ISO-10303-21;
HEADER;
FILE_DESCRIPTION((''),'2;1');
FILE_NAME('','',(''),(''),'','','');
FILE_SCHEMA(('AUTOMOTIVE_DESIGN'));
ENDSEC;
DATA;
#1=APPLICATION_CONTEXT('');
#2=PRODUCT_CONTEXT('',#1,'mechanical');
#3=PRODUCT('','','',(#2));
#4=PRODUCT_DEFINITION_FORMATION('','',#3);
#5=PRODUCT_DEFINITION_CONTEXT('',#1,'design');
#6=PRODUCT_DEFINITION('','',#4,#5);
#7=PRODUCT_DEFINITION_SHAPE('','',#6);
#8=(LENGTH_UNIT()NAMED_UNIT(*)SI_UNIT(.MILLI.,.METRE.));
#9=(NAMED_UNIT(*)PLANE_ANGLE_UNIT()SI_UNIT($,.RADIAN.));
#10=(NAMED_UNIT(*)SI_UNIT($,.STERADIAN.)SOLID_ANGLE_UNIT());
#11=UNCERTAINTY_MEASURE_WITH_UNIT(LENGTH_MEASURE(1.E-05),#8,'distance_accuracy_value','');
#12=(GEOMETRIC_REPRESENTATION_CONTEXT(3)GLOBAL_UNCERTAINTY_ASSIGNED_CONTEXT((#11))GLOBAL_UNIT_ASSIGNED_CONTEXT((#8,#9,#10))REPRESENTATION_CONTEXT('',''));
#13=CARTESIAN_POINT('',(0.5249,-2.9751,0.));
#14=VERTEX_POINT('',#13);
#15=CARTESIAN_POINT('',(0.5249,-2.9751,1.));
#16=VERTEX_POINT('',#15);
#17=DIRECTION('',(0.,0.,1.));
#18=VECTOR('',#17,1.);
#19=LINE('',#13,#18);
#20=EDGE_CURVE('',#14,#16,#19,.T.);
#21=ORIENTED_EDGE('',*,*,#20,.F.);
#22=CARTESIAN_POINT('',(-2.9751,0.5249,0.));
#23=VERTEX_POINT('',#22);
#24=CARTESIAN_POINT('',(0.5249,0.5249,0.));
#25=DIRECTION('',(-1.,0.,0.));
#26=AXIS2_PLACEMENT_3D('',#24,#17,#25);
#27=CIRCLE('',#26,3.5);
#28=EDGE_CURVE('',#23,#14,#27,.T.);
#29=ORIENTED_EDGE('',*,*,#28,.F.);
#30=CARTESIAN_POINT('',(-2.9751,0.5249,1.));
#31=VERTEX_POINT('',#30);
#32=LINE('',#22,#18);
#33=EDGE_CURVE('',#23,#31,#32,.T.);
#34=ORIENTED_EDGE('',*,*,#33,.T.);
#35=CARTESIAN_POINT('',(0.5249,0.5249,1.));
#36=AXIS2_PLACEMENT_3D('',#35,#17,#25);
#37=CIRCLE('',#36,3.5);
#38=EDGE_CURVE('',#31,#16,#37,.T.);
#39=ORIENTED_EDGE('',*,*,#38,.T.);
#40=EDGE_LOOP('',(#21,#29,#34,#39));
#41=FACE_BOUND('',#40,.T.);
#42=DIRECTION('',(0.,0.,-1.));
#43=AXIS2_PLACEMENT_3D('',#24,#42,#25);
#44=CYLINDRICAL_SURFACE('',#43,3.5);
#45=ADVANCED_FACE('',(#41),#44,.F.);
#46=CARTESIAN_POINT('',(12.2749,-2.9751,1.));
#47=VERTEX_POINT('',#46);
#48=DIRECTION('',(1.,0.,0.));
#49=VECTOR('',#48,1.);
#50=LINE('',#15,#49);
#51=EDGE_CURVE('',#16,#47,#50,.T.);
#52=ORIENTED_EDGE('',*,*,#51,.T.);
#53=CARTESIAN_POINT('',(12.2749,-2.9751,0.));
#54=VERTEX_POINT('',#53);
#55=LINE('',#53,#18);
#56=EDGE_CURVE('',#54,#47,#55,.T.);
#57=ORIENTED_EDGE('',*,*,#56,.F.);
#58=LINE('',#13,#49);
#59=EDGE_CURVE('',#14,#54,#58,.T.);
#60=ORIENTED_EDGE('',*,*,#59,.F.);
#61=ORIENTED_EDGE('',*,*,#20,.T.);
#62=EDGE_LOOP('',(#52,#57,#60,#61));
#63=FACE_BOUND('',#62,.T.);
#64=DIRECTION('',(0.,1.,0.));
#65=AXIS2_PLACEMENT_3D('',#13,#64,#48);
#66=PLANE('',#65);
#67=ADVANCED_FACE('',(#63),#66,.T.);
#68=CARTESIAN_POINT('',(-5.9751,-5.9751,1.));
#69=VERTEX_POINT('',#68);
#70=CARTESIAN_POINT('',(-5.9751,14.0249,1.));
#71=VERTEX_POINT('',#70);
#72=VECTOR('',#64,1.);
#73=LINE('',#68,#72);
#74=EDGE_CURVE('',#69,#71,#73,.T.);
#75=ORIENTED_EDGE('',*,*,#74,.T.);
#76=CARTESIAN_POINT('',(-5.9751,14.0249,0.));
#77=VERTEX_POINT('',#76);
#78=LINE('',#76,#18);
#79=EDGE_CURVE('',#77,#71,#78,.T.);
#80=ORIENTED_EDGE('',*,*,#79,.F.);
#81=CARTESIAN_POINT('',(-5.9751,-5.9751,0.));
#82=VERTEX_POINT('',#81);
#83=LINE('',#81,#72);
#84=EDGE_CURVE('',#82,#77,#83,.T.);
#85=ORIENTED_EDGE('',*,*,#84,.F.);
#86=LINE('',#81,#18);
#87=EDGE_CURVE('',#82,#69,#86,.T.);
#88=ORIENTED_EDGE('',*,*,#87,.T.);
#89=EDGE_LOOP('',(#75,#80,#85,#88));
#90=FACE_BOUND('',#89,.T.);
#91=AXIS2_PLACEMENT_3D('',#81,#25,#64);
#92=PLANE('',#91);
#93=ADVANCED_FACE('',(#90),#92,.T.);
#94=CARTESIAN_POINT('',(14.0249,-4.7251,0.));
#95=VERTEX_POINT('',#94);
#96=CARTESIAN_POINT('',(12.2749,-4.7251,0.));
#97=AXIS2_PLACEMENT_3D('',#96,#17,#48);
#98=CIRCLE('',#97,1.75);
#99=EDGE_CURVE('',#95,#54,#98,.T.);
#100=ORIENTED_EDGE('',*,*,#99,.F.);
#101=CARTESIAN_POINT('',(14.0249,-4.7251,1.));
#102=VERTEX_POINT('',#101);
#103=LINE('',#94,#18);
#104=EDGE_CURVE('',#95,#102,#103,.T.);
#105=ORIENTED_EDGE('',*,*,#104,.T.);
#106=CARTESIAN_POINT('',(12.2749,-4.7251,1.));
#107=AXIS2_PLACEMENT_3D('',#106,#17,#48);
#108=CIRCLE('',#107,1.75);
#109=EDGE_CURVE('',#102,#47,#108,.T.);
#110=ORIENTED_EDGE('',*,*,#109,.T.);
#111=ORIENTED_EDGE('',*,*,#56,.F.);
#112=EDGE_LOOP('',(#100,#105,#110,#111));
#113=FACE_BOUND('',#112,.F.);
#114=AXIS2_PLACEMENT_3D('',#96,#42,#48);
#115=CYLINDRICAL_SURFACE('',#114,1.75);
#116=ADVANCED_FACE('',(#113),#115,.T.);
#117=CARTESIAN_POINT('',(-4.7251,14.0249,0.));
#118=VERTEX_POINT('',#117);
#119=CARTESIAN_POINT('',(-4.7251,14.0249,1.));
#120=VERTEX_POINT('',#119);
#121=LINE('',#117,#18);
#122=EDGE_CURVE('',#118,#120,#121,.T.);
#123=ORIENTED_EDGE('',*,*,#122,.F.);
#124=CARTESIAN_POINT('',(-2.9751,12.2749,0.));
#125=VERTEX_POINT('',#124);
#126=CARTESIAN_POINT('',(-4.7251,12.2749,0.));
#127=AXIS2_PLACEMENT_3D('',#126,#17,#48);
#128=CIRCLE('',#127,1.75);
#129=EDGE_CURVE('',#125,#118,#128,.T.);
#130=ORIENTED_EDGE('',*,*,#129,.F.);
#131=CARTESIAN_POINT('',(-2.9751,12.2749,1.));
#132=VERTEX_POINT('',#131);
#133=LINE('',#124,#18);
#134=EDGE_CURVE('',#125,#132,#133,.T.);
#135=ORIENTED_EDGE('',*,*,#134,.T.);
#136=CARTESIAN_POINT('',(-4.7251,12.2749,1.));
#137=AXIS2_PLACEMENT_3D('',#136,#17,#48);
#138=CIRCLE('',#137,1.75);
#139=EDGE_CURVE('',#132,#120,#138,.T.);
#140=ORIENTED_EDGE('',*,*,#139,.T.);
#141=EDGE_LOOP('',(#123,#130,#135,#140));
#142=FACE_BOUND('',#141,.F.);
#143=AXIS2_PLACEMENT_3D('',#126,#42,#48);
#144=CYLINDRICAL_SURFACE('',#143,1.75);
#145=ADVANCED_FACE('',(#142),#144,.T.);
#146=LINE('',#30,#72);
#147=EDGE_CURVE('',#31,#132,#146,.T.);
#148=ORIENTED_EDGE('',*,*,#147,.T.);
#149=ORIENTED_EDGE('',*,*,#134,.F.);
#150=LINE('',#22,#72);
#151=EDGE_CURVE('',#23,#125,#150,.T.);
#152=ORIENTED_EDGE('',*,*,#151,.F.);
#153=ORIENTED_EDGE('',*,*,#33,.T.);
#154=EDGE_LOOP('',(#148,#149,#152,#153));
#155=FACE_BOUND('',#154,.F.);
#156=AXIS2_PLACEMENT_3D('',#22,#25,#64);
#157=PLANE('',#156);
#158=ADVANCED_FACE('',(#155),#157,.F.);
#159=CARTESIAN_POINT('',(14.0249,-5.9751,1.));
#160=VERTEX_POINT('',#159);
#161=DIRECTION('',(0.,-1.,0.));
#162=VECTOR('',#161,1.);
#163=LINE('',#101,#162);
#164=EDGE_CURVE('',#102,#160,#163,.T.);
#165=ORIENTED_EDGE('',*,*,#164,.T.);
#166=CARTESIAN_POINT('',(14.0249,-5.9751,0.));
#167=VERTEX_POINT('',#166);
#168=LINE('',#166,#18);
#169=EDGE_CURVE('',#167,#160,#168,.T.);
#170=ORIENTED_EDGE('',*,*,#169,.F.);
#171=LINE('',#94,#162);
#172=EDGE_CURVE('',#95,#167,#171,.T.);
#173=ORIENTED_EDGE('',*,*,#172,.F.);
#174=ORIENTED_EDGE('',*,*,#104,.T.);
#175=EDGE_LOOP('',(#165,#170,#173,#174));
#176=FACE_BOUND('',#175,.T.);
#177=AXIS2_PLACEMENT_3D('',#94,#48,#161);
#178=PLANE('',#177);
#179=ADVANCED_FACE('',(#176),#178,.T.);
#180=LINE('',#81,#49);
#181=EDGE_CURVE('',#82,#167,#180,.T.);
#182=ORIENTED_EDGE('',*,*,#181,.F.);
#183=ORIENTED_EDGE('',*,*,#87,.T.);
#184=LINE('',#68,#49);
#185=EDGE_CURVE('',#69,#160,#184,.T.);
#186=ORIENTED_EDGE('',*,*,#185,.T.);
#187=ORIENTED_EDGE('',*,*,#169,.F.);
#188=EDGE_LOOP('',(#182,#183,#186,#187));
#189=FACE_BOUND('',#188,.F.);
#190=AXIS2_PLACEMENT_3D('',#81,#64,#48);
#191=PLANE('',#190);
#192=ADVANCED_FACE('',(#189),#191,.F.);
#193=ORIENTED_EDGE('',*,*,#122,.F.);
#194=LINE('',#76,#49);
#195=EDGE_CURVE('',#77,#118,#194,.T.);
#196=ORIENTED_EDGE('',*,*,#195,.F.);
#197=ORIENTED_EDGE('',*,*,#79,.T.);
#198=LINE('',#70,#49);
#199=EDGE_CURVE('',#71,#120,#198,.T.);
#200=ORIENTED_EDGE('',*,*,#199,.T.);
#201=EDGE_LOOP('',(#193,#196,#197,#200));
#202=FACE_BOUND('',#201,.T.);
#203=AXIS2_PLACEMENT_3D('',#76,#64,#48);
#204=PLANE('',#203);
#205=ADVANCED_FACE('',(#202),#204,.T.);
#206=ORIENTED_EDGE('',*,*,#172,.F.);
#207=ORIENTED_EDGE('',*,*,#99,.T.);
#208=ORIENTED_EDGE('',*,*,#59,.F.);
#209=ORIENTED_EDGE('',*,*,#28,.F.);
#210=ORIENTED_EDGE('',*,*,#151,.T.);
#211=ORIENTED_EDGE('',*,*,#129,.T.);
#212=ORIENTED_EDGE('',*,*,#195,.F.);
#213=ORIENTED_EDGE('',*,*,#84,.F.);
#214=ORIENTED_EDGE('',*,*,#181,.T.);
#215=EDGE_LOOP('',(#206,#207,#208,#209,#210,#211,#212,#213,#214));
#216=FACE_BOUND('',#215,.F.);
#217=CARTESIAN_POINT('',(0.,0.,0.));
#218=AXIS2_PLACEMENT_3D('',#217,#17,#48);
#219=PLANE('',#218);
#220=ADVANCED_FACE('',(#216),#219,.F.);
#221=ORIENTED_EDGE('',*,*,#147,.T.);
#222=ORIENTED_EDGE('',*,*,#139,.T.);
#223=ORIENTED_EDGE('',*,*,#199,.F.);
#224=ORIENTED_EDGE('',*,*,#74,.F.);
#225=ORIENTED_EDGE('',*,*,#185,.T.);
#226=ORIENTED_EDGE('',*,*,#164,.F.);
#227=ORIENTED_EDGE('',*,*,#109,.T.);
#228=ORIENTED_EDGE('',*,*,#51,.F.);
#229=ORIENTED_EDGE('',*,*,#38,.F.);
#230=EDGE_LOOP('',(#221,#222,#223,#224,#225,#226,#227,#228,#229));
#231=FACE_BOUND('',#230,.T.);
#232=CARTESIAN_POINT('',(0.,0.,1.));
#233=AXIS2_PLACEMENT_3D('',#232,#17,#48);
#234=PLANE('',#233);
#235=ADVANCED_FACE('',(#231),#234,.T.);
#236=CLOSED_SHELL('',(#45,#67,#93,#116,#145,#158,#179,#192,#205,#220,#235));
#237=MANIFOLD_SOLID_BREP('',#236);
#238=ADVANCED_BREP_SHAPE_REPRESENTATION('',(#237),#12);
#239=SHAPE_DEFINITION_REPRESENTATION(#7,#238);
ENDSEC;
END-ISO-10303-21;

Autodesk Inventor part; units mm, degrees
ref_plane "YZ Plane" through (0, 0, 0) normal (1, 0, 0) x (0, 1, 0)
ref_plane "Start plane" through (0, 0, 0) normal (0, 0, 1) x (1, 0, 0)
ref_plane "End plane" through (0, 0, 1) normal (0, 0, 1) x (1, 0, 0)
sketch "Sketch2" plane through (0, 0, 0) normal (0, 0, 1) x (1, 0, 0)
  line L0 (-2.9751, 0.5249) -> (-2.9751, 12.2749)
  line L1 (-5.9751, 14.0249) -> (-4.7251, 14.0249)
  line L2 (-5.9751, -5.9751) -> (-5.9751, 14.0249)
  line L3 (-5.9751, -5.9751) -> (14.0249, -5.9751)
  line L4 (14.0249, -4.7251) -> (14.0249, -5.9751)
  line L5 (0.5249, -2.9751) -> (12.2749, -2.9751)
  arc A0 (-2.9751, 0.5249) -> (0.5249, -2.9751) centre (0.5249, 0.5249) ccw
  arc A1 (-2.9751, 12.2749) -> (-4.7251, 14.0249) centre (-4.7251, 12.2749) ccw
  arc A2 (14.0249, -4.7251) -> (12.2749, -2.9751) centre (12.2749, -4.7251) ccw
  line L6 (0, 60.8698) -> (0, -10.145) construction
  line L7 (-10.145, 0) -> (60.8698, 0) construction
  point P0 (-2.9751, -2.9751)
  point P1 (-2.9751, 14.0249)
  point P2 (14.0249, -2.9751)
  dimension "d4" = 20
  dimension "d6" = 20
  dimension "d8" = 3
  dimension "d10" = 3
  dimension "d17" = 3.5
  dimension "d18" = 1.75
  dimension "d19" = 5.9751
  dimension "d20" = 5.9751
extrude "Body" add sketch "Sketch2" along normal up to surface (1 mm away) from surface at 0
sketch "Sketch3" plane through (0, 0, 0) normal (0, 0, 1) x (1, 0, 0)
  line L0 (0, 0) -> (10, 0)
ref_plane "Work Plane10" through (0, 0, 0) normal (0, -1, 0) x (1, 0, 0)
sketch "Sketch4" plane through (0, 0, 0) normal (0, -1, 0) x (1, 0, 0)
  line L0 (-2, 0) -> (12, 0)
  line L1 (-2, 1) -> (12, 1)
  dimension "d24" = 1
equation "\"d4\" = b"
equation "\"d6\" = b"
equation "\"d8\" = ParT"
equation "\"d10\" = ParT"
equation "\"d17\" = R"
equation "\"d18\" = R1"
equation "\"d19\" = ex"
equation "\"d20\" = d19"
equation "\"d11\" = G_L"
equation "\"b\" = 20"
equation "\"ParT\" = 3"
equation "\"R\" = 3.5"
equation "\"R1\" = 1.75"
equation "\"G_L\" = d24"
equation "\"G_OFFSET_START\" = 0"
equation "\"G_OFFSET_END\" = 0"
equation "\"d22\" = G_OFFSET_END + B_L"
equation "\"B_L\" = 1"
equation "\"ex\" = 5.975093"
properties part number "STN EN 10056-1 - L20x20x3-1" material "鋼、軟鋼"
